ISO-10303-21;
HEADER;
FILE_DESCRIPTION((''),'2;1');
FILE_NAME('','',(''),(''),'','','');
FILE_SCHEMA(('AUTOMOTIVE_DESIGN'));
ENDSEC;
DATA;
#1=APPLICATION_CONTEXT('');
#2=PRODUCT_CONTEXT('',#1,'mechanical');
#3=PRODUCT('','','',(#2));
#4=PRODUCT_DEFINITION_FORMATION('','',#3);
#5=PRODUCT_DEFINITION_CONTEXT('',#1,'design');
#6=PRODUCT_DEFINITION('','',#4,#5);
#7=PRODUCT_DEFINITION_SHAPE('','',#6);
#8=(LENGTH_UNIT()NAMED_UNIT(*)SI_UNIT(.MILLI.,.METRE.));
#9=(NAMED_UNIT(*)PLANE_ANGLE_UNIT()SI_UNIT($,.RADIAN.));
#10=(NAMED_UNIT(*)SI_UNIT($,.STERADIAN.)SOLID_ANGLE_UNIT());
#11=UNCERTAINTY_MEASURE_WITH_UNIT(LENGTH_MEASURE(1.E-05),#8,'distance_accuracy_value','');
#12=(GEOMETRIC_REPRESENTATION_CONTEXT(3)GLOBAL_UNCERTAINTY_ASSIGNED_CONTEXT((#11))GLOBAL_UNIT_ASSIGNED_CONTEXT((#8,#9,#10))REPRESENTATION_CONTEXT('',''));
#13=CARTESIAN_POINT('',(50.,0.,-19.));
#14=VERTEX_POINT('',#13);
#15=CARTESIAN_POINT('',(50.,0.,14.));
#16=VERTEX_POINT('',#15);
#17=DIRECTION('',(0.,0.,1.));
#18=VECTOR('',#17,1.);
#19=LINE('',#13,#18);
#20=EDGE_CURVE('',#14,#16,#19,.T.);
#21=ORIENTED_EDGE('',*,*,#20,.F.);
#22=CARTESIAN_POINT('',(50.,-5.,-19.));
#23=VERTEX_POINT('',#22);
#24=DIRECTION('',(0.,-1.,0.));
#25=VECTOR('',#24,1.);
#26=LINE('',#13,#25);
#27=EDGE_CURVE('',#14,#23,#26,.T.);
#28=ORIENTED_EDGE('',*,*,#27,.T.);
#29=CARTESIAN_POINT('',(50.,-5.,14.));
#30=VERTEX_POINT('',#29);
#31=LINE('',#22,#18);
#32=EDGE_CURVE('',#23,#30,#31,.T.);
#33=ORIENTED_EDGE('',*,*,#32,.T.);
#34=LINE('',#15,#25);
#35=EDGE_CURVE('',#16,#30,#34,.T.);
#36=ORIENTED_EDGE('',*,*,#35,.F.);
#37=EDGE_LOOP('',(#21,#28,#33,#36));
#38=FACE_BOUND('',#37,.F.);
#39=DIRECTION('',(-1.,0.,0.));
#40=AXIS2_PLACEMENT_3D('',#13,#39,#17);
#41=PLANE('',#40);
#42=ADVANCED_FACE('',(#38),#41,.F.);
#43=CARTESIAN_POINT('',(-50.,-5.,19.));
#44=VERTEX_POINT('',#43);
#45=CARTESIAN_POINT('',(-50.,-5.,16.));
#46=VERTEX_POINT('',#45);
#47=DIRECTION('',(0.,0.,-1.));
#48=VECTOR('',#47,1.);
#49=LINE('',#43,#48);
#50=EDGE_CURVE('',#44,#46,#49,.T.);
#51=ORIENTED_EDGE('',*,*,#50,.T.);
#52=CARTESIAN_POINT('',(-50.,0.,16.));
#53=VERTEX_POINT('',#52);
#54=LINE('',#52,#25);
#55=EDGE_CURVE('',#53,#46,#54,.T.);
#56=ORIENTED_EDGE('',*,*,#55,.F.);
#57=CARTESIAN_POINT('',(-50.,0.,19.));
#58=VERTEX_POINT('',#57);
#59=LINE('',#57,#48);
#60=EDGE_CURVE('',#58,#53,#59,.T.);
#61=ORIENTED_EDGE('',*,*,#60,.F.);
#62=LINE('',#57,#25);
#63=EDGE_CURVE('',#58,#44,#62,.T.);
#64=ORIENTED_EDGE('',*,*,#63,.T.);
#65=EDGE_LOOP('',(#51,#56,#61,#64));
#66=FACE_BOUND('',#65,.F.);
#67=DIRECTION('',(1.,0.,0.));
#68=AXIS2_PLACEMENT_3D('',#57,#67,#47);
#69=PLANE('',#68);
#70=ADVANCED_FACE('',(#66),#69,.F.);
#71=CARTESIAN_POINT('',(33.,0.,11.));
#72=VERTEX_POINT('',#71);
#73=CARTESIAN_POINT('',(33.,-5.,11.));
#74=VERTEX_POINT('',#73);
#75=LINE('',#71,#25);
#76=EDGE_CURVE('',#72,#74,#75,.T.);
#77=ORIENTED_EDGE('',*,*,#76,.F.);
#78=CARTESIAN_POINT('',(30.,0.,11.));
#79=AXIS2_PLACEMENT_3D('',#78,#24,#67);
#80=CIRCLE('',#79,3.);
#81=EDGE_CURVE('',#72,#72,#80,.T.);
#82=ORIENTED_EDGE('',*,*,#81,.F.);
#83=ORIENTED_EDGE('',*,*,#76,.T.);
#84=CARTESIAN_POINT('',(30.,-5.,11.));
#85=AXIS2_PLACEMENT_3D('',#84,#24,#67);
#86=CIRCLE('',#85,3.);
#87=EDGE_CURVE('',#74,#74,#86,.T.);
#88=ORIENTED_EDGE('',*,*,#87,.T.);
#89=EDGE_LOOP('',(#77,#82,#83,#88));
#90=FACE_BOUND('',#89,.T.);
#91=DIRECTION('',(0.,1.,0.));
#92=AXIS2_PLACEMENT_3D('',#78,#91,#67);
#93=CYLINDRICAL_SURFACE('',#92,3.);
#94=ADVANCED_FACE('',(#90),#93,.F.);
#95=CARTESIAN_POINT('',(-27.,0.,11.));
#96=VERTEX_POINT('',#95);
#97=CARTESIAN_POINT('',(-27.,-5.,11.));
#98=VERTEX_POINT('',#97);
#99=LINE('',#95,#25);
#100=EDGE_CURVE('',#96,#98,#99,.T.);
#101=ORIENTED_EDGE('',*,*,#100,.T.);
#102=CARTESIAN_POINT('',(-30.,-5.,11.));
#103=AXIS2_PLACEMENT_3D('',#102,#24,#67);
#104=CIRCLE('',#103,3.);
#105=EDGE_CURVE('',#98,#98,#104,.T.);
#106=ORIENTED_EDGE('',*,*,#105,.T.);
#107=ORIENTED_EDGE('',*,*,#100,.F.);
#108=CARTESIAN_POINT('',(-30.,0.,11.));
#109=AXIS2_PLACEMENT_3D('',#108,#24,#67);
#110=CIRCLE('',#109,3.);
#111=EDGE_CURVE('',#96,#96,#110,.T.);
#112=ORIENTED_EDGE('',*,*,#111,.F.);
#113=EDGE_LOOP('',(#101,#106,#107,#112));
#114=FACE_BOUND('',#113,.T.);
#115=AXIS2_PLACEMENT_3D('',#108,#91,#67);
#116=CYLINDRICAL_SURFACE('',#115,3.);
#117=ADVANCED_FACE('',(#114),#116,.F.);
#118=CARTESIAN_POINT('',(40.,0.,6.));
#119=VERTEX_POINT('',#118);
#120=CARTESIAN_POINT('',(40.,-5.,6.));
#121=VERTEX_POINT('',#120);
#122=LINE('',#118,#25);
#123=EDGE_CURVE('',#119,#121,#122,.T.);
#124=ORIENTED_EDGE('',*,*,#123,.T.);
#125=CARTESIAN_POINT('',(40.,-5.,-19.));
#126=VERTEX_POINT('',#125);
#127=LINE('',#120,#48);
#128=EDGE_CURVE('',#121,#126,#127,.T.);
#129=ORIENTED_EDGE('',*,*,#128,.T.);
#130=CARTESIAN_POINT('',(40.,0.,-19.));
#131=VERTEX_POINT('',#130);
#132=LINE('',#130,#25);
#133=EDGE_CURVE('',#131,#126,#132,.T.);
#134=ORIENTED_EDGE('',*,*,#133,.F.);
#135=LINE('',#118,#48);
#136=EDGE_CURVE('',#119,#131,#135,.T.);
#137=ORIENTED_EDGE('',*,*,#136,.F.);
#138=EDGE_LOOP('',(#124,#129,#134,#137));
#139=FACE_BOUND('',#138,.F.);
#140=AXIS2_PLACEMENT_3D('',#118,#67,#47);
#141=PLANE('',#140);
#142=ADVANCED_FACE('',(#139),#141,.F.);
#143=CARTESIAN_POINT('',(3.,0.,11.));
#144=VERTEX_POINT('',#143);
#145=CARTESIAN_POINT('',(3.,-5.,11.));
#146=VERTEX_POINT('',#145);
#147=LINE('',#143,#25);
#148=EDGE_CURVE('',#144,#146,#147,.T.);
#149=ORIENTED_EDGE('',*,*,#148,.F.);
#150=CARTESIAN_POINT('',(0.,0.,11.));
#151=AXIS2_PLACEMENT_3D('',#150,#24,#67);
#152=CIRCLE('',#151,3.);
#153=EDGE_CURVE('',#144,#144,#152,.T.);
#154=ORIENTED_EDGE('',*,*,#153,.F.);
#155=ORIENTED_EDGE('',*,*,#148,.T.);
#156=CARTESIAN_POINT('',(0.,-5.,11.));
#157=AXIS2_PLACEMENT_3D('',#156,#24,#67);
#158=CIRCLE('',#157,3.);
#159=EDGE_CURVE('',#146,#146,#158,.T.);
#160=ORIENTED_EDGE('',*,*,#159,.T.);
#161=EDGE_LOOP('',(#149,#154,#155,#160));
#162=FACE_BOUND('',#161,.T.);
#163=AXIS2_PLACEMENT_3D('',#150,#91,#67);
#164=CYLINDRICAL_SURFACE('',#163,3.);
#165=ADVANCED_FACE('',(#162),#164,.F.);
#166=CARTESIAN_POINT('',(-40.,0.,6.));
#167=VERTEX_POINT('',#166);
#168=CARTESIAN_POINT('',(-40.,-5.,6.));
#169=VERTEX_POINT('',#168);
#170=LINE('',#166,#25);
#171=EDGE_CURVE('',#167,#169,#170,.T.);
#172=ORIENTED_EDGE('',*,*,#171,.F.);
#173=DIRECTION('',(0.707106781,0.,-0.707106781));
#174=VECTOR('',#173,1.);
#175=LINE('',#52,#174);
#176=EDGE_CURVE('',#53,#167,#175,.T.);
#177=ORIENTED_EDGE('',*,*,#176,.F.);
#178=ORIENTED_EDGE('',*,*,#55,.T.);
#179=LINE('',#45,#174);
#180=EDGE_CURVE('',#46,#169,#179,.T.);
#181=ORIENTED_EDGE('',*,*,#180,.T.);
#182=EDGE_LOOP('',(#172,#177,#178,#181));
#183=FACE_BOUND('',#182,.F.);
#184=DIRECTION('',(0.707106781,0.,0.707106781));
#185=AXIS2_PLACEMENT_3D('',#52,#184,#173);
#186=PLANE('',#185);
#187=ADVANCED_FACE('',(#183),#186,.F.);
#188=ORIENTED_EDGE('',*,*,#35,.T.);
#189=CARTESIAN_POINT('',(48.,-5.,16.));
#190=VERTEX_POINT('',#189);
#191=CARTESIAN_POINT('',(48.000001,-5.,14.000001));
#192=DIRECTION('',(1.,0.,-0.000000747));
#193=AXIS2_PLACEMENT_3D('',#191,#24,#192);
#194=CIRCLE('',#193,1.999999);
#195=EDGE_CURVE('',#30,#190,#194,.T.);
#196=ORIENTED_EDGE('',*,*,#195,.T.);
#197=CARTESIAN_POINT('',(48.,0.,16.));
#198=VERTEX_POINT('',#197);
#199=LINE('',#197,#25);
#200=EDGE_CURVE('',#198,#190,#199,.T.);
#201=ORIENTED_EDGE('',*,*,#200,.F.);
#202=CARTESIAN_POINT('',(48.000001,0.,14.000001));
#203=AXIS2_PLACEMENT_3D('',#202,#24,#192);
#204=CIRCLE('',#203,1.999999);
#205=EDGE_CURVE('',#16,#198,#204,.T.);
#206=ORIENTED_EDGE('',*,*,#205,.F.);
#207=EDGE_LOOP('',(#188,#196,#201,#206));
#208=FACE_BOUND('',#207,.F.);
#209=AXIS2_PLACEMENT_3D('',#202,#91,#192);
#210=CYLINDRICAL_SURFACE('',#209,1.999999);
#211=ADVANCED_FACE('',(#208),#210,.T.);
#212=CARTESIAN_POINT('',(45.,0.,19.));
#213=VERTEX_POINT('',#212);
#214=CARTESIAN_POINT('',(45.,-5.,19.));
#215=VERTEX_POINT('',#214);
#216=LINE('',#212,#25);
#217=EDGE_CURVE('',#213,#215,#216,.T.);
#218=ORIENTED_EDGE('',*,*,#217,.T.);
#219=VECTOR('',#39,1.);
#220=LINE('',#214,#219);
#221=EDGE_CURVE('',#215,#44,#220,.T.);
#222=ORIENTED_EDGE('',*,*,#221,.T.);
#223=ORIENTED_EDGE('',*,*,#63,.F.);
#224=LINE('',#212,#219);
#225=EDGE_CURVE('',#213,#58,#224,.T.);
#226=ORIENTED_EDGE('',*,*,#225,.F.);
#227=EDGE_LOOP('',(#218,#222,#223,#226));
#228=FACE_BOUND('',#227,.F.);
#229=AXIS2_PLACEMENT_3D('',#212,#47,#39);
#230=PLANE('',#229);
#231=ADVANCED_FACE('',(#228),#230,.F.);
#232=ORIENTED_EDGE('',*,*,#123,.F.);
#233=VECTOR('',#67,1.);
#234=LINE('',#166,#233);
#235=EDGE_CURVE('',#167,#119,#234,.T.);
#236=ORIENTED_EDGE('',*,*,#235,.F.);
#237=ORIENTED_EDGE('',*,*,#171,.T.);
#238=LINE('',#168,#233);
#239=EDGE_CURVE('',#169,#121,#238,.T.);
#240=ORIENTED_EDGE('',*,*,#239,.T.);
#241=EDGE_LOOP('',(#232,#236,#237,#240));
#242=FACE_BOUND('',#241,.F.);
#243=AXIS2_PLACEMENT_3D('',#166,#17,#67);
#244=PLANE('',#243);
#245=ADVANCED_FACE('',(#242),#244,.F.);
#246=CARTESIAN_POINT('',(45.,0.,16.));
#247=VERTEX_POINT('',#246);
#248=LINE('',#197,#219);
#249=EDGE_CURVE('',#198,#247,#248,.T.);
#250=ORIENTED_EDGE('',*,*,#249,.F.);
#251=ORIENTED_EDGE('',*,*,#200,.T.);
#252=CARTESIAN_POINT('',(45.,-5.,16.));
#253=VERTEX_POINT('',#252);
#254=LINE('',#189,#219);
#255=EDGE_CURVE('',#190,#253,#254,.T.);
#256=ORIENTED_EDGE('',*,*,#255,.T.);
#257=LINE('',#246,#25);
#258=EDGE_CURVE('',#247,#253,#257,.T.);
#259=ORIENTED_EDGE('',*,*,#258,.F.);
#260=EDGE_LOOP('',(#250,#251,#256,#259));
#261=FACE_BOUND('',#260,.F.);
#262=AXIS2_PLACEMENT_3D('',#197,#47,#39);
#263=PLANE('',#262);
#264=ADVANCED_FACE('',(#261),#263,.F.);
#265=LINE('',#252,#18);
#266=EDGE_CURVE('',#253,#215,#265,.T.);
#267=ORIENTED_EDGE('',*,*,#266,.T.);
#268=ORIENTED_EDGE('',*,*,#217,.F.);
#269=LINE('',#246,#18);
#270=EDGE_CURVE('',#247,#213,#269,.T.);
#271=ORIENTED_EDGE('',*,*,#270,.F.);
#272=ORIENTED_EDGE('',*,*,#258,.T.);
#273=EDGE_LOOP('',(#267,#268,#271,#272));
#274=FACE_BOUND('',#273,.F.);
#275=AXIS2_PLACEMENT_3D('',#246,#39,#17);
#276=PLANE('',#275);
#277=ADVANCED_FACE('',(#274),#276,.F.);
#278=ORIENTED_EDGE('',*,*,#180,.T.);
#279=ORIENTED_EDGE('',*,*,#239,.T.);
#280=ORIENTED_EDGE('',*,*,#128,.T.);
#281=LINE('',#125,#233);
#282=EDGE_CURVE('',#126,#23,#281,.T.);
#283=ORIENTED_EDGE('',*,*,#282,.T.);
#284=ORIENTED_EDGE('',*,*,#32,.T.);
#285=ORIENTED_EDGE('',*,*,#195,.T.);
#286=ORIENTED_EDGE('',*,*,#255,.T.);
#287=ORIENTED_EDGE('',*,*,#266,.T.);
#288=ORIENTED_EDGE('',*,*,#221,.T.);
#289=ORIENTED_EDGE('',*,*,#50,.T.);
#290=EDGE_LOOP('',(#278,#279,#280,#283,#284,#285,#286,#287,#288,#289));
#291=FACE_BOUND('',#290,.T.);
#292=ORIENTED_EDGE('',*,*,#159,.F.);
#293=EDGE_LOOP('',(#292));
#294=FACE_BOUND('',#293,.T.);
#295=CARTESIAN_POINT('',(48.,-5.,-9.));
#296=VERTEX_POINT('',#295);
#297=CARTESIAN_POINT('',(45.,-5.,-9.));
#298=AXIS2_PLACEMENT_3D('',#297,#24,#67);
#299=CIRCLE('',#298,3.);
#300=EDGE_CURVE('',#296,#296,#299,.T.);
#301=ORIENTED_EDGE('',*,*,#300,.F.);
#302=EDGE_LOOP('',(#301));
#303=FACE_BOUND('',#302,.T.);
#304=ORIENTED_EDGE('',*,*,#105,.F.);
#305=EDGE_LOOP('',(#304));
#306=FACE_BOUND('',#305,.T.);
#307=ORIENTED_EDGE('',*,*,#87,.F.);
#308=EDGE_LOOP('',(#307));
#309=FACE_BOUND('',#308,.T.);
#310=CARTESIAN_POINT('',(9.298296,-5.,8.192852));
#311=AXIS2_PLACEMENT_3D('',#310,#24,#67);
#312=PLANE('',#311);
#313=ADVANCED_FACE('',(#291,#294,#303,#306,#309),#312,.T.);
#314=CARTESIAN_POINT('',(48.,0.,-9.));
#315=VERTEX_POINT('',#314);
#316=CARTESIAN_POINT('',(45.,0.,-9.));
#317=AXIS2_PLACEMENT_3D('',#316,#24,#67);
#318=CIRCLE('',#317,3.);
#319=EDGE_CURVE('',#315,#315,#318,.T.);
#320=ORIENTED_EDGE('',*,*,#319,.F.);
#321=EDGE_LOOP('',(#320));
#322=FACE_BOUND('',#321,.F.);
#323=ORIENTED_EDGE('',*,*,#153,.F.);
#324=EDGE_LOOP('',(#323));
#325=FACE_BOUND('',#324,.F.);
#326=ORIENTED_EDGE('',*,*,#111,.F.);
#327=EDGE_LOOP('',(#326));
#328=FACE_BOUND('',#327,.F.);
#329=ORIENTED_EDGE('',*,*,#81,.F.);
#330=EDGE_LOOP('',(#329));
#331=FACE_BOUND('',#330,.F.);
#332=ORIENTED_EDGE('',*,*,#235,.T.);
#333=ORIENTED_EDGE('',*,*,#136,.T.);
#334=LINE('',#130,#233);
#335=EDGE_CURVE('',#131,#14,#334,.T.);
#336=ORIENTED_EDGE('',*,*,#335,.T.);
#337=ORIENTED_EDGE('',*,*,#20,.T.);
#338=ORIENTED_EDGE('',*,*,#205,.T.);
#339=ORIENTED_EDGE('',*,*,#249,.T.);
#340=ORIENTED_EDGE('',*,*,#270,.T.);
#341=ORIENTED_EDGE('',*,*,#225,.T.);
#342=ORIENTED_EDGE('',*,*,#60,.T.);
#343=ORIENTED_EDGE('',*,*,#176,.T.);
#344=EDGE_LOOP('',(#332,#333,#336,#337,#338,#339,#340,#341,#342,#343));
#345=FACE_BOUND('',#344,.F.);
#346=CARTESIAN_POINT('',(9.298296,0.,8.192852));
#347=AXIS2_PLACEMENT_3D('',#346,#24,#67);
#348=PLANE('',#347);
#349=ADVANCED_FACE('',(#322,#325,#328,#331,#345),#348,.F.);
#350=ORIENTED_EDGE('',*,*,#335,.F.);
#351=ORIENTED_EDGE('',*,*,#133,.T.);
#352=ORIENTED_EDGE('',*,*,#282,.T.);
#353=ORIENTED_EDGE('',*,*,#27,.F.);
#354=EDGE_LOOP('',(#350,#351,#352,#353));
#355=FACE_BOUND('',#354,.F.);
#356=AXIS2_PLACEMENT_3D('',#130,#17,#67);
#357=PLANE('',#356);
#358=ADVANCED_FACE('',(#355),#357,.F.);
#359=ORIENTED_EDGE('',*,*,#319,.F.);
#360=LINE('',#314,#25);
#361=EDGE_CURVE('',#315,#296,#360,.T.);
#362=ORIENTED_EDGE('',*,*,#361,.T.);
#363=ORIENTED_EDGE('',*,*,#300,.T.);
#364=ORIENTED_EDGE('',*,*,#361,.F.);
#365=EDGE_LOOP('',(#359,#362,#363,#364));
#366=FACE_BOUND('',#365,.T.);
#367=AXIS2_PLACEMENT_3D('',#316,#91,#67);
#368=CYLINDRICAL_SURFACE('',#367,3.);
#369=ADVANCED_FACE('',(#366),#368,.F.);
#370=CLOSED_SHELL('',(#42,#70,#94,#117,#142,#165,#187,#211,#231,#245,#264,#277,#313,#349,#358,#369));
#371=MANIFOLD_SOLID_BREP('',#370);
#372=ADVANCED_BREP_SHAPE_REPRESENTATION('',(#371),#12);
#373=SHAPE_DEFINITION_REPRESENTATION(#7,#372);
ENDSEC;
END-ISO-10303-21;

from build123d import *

# Parameters (mm, degrees)
F0_R     = 3
F1_DEPTH = 5


with BuildPart() as f1:
    # F0 (on Front) → F1 (new body)
    with BuildSketch(Plane.XZ):
        with BuildLine():
            Line((45, 19), (-50, 19))
            Line((-50, 19), (-50, 16))
            Line((-50, 16), (-40, 6))
            Line((-40, 6), (40, 6))
            Line((40, 6), (40, -19))
            Line((40, -19), (50, -19))
            Line((50, -19), (50, 14))
            ThreePointArc((50, 14), (49.414214, 15.414214), (48, 16))
            Line((48, 16), (45, 16))
            Line((45, 16), (45, 19))
        make_face()
        with Locations((45, -9)):
            Circle(F0_R, mode=Mode.SUBTRACT)
        with Locations((-30, 11)):
            Circle(F0_R, mode=Mode.SUBTRACT)
        with Locations((0, 11)):
            Circle(F0_R, mode=Mode.SUBTRACT)
        with Locations((30, 11)):
            Circle(F0_R, mode=Mode.SUBTRACT)
    extrude(amount=F1_DEPTH)


solid = f1.part
